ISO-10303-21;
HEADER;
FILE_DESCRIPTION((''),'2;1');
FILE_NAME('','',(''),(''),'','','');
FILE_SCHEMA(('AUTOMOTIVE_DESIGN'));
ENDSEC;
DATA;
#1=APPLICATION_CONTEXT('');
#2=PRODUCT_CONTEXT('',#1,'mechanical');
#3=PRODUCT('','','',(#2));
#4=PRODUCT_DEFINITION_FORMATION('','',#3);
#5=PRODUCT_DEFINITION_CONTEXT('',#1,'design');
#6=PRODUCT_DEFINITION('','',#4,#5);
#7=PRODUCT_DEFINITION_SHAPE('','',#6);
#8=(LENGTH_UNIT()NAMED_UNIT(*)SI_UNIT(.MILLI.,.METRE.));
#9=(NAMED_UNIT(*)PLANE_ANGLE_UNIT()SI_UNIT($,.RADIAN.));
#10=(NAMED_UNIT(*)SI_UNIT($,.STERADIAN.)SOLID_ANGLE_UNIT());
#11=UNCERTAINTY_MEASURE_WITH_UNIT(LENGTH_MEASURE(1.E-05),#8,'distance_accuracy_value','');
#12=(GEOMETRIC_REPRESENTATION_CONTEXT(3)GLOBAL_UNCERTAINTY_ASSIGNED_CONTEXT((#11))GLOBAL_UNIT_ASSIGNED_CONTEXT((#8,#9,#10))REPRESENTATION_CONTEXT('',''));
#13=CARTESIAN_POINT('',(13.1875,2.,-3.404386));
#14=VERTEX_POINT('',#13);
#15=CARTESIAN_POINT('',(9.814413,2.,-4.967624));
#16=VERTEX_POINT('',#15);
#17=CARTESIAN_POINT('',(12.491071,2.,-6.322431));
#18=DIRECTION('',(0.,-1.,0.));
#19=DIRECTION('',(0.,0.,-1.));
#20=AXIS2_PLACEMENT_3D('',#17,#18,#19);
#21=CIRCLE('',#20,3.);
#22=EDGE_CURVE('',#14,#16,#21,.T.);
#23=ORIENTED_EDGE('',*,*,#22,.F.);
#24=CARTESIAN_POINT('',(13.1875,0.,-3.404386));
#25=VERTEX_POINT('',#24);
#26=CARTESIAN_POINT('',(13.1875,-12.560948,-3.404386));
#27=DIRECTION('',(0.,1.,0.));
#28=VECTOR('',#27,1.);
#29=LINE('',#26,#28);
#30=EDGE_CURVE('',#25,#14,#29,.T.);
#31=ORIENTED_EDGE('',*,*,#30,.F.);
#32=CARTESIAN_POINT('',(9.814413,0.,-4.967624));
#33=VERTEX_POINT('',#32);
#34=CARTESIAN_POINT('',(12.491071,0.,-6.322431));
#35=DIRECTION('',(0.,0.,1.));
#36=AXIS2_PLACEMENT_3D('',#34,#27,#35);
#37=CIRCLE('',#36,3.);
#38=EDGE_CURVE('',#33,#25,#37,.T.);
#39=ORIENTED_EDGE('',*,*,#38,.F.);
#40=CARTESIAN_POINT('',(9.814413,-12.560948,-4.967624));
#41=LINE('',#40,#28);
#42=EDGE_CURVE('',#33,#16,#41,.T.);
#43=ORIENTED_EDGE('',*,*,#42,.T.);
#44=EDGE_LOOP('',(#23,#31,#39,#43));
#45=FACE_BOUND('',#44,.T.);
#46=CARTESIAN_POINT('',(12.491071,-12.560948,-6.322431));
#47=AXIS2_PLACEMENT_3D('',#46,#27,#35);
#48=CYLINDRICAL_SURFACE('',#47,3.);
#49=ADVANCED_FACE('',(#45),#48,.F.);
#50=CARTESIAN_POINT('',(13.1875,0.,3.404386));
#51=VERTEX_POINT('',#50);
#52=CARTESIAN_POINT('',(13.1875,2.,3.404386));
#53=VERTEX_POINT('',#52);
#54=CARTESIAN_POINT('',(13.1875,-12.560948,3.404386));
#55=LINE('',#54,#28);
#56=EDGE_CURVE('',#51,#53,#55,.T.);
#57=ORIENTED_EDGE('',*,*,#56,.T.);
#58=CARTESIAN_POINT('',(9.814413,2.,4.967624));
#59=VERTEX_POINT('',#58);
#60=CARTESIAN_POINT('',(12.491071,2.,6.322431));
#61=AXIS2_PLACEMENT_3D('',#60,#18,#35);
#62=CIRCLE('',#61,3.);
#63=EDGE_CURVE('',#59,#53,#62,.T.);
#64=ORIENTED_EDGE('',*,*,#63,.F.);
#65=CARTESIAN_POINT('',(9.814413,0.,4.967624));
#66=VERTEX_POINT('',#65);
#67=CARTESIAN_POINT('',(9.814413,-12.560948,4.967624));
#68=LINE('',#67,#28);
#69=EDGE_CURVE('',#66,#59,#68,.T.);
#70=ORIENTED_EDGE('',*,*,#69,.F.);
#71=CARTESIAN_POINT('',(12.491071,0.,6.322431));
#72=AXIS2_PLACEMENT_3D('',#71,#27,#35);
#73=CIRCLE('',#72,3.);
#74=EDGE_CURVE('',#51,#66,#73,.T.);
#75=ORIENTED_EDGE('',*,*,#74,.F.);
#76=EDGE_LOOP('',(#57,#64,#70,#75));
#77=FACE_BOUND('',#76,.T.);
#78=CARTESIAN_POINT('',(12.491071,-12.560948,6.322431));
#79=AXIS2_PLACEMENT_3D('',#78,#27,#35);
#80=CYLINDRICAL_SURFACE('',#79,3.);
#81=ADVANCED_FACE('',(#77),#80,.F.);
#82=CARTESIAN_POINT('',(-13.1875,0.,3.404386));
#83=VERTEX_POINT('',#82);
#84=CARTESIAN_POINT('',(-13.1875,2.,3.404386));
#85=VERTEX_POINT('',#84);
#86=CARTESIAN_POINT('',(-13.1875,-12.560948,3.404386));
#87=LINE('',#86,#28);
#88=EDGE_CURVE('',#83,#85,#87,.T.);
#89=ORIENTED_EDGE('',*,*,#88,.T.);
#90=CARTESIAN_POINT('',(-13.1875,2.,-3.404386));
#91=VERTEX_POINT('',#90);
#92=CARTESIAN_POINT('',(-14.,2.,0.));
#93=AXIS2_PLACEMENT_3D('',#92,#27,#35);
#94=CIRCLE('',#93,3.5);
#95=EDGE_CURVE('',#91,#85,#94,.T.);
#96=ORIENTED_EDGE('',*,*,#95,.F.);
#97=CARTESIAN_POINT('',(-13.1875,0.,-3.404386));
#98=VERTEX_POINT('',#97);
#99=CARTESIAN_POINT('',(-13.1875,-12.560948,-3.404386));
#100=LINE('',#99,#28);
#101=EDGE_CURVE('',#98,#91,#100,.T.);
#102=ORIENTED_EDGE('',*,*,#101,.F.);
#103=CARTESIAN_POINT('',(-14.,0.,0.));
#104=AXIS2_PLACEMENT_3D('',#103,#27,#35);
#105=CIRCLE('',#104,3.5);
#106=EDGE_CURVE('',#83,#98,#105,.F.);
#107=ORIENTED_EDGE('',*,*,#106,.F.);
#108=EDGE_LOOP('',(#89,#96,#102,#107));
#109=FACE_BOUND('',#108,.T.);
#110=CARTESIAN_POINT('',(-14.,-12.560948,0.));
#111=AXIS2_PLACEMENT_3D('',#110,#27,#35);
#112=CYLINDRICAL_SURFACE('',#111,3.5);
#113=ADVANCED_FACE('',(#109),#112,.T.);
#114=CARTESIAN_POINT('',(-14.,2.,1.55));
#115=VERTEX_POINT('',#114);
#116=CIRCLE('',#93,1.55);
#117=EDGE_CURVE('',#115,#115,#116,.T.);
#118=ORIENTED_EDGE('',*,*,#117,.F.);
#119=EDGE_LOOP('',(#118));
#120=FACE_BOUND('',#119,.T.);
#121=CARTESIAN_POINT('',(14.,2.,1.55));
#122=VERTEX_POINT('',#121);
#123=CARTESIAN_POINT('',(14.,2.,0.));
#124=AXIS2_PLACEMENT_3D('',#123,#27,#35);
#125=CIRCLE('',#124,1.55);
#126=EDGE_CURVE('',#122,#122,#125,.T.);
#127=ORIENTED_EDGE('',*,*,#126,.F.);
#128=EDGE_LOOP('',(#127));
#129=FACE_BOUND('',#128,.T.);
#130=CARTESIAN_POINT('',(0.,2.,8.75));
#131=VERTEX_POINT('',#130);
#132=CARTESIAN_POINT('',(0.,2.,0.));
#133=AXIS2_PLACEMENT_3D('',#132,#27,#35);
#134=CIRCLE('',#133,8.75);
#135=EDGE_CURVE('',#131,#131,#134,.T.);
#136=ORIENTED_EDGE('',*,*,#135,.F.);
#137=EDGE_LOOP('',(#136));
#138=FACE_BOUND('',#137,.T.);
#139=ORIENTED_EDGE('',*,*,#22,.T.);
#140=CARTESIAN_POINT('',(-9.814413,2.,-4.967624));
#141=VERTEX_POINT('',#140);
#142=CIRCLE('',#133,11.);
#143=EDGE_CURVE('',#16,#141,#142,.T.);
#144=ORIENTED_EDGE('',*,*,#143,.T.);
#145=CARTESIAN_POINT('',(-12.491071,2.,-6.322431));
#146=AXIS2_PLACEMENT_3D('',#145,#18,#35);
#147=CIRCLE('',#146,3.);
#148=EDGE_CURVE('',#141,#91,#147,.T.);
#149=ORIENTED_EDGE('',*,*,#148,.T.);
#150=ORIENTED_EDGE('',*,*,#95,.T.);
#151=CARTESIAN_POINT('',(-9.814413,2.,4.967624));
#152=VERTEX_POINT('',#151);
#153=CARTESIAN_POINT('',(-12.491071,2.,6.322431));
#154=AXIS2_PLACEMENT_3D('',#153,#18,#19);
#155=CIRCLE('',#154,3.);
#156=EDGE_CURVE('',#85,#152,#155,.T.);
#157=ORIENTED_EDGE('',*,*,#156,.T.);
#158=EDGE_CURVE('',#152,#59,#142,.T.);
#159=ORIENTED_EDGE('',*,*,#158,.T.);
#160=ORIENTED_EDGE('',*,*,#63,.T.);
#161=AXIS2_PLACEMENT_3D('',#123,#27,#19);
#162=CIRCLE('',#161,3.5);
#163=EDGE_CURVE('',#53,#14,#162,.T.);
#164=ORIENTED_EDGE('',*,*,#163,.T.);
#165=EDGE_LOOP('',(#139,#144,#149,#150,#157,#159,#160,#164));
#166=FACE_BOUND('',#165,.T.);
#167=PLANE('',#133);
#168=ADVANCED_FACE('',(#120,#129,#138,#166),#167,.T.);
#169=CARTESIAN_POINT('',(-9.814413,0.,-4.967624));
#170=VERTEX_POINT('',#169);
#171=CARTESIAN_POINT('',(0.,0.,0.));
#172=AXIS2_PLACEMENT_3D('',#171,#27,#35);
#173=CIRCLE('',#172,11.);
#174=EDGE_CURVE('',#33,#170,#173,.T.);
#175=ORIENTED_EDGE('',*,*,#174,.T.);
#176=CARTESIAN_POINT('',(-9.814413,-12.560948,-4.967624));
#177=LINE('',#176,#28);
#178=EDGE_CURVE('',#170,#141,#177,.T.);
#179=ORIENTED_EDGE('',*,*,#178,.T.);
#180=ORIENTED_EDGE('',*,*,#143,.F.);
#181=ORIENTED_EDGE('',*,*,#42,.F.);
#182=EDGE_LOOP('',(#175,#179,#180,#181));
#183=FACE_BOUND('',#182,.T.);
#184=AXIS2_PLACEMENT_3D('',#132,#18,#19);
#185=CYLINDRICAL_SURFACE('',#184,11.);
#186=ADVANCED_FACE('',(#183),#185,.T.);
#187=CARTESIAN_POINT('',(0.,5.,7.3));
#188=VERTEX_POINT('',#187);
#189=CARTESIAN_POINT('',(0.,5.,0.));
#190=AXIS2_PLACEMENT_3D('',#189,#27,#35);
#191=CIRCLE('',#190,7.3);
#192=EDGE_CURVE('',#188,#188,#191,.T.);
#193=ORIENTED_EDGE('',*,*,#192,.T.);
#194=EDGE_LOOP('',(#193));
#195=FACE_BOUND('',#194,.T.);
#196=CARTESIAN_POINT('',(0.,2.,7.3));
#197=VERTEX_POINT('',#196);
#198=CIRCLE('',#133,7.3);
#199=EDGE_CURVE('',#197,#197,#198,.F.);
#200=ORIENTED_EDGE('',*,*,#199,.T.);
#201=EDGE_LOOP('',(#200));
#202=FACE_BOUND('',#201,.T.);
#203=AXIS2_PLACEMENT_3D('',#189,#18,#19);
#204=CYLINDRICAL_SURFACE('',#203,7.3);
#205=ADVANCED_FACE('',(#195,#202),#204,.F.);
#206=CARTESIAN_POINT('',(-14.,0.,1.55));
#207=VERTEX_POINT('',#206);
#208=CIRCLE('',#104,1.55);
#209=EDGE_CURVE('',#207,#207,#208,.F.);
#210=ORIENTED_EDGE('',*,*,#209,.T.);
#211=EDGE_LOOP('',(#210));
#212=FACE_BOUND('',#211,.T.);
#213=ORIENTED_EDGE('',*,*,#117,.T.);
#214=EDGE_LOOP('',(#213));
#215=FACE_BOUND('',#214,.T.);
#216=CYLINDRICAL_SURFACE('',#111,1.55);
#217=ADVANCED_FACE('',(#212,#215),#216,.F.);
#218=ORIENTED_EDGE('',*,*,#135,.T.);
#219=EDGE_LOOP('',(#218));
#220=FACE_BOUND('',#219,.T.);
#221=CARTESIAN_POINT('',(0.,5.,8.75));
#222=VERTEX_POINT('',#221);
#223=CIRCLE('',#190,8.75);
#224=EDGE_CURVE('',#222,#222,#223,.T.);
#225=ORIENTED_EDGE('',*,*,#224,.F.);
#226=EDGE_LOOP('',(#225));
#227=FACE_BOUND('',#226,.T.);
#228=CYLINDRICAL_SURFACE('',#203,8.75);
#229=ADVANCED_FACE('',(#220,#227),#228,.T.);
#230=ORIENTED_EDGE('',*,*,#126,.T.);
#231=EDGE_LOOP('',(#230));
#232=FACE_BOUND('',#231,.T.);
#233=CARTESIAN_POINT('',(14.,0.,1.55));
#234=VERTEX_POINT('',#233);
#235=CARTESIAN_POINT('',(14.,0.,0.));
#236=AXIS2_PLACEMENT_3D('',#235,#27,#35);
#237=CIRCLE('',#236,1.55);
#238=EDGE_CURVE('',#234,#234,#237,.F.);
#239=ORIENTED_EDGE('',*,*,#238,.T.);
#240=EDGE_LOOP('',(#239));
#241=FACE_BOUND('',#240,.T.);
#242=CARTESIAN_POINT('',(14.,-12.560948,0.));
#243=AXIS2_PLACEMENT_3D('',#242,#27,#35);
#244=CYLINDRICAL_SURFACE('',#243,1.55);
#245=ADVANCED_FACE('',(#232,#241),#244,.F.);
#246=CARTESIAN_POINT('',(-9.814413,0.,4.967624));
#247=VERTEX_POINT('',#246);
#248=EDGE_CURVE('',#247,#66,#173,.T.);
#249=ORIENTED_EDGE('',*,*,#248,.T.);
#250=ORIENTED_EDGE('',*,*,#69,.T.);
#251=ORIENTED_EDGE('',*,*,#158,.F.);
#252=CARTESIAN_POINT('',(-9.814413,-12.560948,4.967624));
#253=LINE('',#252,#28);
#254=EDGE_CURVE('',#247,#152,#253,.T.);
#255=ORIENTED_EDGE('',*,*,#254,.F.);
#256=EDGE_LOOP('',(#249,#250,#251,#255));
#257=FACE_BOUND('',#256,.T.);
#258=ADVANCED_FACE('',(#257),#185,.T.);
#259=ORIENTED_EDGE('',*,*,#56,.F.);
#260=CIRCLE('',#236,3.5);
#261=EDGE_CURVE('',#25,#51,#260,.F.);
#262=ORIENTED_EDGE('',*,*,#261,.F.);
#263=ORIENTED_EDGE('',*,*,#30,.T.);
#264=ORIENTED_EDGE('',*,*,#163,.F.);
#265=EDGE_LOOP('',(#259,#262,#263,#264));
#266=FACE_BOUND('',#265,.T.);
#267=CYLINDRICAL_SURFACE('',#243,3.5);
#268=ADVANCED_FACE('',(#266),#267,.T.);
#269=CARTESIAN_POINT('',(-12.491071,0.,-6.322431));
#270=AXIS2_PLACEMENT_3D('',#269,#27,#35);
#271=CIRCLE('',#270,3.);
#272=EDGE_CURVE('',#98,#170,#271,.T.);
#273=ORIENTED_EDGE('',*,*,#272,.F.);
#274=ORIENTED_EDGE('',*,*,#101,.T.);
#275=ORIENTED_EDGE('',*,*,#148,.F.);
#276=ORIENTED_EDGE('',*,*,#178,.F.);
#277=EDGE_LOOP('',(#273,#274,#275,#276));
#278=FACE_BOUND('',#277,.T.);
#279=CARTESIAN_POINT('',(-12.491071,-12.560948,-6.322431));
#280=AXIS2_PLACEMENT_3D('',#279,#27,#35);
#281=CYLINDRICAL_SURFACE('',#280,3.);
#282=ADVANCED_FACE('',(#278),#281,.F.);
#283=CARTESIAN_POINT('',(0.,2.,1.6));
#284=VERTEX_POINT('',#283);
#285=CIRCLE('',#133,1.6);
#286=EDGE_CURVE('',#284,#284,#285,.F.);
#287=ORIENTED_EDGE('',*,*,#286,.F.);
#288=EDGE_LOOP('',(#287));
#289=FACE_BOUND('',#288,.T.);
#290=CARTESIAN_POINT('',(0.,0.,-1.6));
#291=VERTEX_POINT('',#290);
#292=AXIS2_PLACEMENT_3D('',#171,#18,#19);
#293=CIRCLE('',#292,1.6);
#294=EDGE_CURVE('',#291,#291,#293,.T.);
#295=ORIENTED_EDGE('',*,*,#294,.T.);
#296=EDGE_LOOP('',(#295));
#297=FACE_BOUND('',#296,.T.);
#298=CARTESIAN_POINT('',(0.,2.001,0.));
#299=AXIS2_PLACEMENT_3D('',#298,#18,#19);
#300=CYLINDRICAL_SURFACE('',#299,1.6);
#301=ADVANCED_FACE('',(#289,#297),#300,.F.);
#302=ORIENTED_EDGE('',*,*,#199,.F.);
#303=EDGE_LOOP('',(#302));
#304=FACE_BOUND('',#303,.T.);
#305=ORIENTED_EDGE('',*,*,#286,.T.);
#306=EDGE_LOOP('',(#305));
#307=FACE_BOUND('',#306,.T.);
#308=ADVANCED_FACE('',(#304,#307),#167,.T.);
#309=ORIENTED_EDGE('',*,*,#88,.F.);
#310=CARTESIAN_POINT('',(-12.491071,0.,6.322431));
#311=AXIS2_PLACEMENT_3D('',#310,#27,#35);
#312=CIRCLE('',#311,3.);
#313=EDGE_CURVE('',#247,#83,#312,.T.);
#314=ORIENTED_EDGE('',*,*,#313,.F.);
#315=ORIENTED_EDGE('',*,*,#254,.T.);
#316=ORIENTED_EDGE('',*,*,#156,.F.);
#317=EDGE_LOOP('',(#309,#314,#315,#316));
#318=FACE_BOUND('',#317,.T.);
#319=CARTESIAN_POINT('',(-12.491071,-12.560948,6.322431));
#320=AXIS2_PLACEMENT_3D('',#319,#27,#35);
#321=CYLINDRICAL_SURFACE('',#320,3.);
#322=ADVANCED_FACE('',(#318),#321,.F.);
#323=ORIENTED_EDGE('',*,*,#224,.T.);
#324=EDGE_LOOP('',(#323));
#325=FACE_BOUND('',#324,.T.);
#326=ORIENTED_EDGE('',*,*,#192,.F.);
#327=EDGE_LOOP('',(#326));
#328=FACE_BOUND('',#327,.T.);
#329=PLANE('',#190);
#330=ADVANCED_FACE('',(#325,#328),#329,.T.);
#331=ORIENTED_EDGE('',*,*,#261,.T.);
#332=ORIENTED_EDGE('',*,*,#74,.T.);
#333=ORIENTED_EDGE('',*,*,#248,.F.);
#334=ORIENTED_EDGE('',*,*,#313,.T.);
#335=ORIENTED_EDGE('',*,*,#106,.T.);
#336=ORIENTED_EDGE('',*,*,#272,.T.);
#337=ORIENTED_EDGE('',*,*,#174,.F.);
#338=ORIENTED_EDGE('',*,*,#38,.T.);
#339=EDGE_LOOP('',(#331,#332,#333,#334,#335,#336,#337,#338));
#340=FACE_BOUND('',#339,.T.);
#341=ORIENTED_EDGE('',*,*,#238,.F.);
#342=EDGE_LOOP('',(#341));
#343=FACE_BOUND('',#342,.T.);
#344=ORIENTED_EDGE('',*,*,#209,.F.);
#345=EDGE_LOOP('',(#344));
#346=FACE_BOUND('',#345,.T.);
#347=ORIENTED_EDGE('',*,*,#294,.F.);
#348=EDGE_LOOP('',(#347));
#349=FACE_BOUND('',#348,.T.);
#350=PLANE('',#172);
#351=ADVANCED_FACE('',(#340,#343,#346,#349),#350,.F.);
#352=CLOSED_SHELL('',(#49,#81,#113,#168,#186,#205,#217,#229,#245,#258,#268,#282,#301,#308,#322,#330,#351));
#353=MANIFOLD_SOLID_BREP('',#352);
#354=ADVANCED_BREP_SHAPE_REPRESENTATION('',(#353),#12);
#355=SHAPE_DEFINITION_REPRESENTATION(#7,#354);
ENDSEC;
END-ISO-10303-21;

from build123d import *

# Parameters (mm, degrees)
SKETCH_1_R          = 11
EXTRUDE_1_DEPTH     = 2
EXTRUDE_START       = -2
SKETCH_3_R          = 1.55
EXTRUDE_2_DEPTH     = 2
CUT_EXTRUDE_1_REACH = 22.767
SKETCH_4_R          = 1.6
SKETCH_5_R          = 8.75
SKETCH_5_R_2        = 7.3
EXTRUDE_3_DEPTH     = 3


with BuildPart() as part:
    # 草图1 → 凸台-拉伸1 (new body)
    with BuildSketch(Plane(origin=(0, 0, 0), x_dir=(1, 0, 0), z_dir=(0, 1, 0))):
        with Locations(Location((0, 0, 0), (0, 0, 270))):
            Circle(SKETCH_1_R)
    extrude(amount=EXTRUDE_1_DEPTH)

    # 草图3 → 凸台-拉伸2 (add)
    # profile 1 of 2: a face of its own
    with BuildSketch(Plane(origin=(0, 2, 0), x_dir=(1, 0, 0), z_dir=(0, 1, 0)).offset(EXTRUDE_START)):
        with BuildLine():
            ThreePointArc((13.1875, 3.404385958), (11.2296215, 3.600530244), (9.814413265, 4.967624408))
            ThreePointArc((9.814413265, 4.967624408), (11, 0), (9.814413265, -4.967624408))
            ThreePointArc((9.814413265, -4.967624408), (11.2296215, -3.600530244), (13.1875, -3.404385958))
            ThreePointArc((13.1875, -3.404385958), (17.5, 0), (13.1875, 3.404385958))
        make_face()
        with Locations(Location((14, 0, 0), (0, 0, 270))):
            Circle(SKETCH_3_R, mode=Mode.SUBTRACT)
    # profile 2 of 2: a face of its own
    with BuildSketch(Plane(origin=(0, 2, 0), x_dir=(1, 0, 0), z_dir=(0, 1, 0)).offset(EXTRUDE_START)):
        with BuildLine():
            ThreePointArc((-9.814413265, 4.967624408), (-11, 0), (-9.814413265, -4.967624408))
            ThreePointArc((-9.814413265, -4.967624408), (-11.2296215, -3.600530244), (-13.1875, -3.404385958))
            ThreePointArc((-13.1875, -3.404385958), (-17.5, 0), (-13.1875, 3.404385958))
            ThreePointArc((-13.1875, 3.404385958), (-11.2296215, 3.600530244), (-9.814413265, 4.967624408))
        make_face()
        with Locations(Location((-14, 0, 0), (0, 0, 270))):
            Circle(SKETCH_3_R, mode=Mode.SUBTRACT)
    extrude(amount=EXTRUDE_2_DEPTH)

    # 草图4 → 切除-拉伸1 (cut, up to next)
    with BuildSketch(Plane.XZ, mode=Mode.PRIVATE) as cut_extrude_1_sk1:
        with Locations(Location((0, 0, 0), (0, 0, 270))):
            Circle(SKETCH_4_R)
    cut_extrude_1_tool1 = extrude(cut_extrude_1_sk1.sketch, amount=-CUT_EXTRUDE_1_REACH, mode=Mode.PRIVATE) & part.part
    add(cut_extrude_1_tool1.solids().sort_by_distance((0, 0, 0))[0], mode=Mode.SUBTRACT)

    # 草图5 → 凸台-拉伸3 (add)
    with BuildSketch(Plane(origin=(0, 2, 0), x_dir=(1, 0, 0), z_dir=(0, 1, 0))):
        with Locations(Location((0, 0, 0), (0, 0, 270))):
            Circle(SKETCH_5_R)
        with Locations(Location((0, 0, 0), (0, 0, 270))):
            Circle(SKETCH_5_R_2, mode=Mode.SUBTRACT)
    extrude(amount=EXTRUDE_3_DEPTH)


solid = part.part
